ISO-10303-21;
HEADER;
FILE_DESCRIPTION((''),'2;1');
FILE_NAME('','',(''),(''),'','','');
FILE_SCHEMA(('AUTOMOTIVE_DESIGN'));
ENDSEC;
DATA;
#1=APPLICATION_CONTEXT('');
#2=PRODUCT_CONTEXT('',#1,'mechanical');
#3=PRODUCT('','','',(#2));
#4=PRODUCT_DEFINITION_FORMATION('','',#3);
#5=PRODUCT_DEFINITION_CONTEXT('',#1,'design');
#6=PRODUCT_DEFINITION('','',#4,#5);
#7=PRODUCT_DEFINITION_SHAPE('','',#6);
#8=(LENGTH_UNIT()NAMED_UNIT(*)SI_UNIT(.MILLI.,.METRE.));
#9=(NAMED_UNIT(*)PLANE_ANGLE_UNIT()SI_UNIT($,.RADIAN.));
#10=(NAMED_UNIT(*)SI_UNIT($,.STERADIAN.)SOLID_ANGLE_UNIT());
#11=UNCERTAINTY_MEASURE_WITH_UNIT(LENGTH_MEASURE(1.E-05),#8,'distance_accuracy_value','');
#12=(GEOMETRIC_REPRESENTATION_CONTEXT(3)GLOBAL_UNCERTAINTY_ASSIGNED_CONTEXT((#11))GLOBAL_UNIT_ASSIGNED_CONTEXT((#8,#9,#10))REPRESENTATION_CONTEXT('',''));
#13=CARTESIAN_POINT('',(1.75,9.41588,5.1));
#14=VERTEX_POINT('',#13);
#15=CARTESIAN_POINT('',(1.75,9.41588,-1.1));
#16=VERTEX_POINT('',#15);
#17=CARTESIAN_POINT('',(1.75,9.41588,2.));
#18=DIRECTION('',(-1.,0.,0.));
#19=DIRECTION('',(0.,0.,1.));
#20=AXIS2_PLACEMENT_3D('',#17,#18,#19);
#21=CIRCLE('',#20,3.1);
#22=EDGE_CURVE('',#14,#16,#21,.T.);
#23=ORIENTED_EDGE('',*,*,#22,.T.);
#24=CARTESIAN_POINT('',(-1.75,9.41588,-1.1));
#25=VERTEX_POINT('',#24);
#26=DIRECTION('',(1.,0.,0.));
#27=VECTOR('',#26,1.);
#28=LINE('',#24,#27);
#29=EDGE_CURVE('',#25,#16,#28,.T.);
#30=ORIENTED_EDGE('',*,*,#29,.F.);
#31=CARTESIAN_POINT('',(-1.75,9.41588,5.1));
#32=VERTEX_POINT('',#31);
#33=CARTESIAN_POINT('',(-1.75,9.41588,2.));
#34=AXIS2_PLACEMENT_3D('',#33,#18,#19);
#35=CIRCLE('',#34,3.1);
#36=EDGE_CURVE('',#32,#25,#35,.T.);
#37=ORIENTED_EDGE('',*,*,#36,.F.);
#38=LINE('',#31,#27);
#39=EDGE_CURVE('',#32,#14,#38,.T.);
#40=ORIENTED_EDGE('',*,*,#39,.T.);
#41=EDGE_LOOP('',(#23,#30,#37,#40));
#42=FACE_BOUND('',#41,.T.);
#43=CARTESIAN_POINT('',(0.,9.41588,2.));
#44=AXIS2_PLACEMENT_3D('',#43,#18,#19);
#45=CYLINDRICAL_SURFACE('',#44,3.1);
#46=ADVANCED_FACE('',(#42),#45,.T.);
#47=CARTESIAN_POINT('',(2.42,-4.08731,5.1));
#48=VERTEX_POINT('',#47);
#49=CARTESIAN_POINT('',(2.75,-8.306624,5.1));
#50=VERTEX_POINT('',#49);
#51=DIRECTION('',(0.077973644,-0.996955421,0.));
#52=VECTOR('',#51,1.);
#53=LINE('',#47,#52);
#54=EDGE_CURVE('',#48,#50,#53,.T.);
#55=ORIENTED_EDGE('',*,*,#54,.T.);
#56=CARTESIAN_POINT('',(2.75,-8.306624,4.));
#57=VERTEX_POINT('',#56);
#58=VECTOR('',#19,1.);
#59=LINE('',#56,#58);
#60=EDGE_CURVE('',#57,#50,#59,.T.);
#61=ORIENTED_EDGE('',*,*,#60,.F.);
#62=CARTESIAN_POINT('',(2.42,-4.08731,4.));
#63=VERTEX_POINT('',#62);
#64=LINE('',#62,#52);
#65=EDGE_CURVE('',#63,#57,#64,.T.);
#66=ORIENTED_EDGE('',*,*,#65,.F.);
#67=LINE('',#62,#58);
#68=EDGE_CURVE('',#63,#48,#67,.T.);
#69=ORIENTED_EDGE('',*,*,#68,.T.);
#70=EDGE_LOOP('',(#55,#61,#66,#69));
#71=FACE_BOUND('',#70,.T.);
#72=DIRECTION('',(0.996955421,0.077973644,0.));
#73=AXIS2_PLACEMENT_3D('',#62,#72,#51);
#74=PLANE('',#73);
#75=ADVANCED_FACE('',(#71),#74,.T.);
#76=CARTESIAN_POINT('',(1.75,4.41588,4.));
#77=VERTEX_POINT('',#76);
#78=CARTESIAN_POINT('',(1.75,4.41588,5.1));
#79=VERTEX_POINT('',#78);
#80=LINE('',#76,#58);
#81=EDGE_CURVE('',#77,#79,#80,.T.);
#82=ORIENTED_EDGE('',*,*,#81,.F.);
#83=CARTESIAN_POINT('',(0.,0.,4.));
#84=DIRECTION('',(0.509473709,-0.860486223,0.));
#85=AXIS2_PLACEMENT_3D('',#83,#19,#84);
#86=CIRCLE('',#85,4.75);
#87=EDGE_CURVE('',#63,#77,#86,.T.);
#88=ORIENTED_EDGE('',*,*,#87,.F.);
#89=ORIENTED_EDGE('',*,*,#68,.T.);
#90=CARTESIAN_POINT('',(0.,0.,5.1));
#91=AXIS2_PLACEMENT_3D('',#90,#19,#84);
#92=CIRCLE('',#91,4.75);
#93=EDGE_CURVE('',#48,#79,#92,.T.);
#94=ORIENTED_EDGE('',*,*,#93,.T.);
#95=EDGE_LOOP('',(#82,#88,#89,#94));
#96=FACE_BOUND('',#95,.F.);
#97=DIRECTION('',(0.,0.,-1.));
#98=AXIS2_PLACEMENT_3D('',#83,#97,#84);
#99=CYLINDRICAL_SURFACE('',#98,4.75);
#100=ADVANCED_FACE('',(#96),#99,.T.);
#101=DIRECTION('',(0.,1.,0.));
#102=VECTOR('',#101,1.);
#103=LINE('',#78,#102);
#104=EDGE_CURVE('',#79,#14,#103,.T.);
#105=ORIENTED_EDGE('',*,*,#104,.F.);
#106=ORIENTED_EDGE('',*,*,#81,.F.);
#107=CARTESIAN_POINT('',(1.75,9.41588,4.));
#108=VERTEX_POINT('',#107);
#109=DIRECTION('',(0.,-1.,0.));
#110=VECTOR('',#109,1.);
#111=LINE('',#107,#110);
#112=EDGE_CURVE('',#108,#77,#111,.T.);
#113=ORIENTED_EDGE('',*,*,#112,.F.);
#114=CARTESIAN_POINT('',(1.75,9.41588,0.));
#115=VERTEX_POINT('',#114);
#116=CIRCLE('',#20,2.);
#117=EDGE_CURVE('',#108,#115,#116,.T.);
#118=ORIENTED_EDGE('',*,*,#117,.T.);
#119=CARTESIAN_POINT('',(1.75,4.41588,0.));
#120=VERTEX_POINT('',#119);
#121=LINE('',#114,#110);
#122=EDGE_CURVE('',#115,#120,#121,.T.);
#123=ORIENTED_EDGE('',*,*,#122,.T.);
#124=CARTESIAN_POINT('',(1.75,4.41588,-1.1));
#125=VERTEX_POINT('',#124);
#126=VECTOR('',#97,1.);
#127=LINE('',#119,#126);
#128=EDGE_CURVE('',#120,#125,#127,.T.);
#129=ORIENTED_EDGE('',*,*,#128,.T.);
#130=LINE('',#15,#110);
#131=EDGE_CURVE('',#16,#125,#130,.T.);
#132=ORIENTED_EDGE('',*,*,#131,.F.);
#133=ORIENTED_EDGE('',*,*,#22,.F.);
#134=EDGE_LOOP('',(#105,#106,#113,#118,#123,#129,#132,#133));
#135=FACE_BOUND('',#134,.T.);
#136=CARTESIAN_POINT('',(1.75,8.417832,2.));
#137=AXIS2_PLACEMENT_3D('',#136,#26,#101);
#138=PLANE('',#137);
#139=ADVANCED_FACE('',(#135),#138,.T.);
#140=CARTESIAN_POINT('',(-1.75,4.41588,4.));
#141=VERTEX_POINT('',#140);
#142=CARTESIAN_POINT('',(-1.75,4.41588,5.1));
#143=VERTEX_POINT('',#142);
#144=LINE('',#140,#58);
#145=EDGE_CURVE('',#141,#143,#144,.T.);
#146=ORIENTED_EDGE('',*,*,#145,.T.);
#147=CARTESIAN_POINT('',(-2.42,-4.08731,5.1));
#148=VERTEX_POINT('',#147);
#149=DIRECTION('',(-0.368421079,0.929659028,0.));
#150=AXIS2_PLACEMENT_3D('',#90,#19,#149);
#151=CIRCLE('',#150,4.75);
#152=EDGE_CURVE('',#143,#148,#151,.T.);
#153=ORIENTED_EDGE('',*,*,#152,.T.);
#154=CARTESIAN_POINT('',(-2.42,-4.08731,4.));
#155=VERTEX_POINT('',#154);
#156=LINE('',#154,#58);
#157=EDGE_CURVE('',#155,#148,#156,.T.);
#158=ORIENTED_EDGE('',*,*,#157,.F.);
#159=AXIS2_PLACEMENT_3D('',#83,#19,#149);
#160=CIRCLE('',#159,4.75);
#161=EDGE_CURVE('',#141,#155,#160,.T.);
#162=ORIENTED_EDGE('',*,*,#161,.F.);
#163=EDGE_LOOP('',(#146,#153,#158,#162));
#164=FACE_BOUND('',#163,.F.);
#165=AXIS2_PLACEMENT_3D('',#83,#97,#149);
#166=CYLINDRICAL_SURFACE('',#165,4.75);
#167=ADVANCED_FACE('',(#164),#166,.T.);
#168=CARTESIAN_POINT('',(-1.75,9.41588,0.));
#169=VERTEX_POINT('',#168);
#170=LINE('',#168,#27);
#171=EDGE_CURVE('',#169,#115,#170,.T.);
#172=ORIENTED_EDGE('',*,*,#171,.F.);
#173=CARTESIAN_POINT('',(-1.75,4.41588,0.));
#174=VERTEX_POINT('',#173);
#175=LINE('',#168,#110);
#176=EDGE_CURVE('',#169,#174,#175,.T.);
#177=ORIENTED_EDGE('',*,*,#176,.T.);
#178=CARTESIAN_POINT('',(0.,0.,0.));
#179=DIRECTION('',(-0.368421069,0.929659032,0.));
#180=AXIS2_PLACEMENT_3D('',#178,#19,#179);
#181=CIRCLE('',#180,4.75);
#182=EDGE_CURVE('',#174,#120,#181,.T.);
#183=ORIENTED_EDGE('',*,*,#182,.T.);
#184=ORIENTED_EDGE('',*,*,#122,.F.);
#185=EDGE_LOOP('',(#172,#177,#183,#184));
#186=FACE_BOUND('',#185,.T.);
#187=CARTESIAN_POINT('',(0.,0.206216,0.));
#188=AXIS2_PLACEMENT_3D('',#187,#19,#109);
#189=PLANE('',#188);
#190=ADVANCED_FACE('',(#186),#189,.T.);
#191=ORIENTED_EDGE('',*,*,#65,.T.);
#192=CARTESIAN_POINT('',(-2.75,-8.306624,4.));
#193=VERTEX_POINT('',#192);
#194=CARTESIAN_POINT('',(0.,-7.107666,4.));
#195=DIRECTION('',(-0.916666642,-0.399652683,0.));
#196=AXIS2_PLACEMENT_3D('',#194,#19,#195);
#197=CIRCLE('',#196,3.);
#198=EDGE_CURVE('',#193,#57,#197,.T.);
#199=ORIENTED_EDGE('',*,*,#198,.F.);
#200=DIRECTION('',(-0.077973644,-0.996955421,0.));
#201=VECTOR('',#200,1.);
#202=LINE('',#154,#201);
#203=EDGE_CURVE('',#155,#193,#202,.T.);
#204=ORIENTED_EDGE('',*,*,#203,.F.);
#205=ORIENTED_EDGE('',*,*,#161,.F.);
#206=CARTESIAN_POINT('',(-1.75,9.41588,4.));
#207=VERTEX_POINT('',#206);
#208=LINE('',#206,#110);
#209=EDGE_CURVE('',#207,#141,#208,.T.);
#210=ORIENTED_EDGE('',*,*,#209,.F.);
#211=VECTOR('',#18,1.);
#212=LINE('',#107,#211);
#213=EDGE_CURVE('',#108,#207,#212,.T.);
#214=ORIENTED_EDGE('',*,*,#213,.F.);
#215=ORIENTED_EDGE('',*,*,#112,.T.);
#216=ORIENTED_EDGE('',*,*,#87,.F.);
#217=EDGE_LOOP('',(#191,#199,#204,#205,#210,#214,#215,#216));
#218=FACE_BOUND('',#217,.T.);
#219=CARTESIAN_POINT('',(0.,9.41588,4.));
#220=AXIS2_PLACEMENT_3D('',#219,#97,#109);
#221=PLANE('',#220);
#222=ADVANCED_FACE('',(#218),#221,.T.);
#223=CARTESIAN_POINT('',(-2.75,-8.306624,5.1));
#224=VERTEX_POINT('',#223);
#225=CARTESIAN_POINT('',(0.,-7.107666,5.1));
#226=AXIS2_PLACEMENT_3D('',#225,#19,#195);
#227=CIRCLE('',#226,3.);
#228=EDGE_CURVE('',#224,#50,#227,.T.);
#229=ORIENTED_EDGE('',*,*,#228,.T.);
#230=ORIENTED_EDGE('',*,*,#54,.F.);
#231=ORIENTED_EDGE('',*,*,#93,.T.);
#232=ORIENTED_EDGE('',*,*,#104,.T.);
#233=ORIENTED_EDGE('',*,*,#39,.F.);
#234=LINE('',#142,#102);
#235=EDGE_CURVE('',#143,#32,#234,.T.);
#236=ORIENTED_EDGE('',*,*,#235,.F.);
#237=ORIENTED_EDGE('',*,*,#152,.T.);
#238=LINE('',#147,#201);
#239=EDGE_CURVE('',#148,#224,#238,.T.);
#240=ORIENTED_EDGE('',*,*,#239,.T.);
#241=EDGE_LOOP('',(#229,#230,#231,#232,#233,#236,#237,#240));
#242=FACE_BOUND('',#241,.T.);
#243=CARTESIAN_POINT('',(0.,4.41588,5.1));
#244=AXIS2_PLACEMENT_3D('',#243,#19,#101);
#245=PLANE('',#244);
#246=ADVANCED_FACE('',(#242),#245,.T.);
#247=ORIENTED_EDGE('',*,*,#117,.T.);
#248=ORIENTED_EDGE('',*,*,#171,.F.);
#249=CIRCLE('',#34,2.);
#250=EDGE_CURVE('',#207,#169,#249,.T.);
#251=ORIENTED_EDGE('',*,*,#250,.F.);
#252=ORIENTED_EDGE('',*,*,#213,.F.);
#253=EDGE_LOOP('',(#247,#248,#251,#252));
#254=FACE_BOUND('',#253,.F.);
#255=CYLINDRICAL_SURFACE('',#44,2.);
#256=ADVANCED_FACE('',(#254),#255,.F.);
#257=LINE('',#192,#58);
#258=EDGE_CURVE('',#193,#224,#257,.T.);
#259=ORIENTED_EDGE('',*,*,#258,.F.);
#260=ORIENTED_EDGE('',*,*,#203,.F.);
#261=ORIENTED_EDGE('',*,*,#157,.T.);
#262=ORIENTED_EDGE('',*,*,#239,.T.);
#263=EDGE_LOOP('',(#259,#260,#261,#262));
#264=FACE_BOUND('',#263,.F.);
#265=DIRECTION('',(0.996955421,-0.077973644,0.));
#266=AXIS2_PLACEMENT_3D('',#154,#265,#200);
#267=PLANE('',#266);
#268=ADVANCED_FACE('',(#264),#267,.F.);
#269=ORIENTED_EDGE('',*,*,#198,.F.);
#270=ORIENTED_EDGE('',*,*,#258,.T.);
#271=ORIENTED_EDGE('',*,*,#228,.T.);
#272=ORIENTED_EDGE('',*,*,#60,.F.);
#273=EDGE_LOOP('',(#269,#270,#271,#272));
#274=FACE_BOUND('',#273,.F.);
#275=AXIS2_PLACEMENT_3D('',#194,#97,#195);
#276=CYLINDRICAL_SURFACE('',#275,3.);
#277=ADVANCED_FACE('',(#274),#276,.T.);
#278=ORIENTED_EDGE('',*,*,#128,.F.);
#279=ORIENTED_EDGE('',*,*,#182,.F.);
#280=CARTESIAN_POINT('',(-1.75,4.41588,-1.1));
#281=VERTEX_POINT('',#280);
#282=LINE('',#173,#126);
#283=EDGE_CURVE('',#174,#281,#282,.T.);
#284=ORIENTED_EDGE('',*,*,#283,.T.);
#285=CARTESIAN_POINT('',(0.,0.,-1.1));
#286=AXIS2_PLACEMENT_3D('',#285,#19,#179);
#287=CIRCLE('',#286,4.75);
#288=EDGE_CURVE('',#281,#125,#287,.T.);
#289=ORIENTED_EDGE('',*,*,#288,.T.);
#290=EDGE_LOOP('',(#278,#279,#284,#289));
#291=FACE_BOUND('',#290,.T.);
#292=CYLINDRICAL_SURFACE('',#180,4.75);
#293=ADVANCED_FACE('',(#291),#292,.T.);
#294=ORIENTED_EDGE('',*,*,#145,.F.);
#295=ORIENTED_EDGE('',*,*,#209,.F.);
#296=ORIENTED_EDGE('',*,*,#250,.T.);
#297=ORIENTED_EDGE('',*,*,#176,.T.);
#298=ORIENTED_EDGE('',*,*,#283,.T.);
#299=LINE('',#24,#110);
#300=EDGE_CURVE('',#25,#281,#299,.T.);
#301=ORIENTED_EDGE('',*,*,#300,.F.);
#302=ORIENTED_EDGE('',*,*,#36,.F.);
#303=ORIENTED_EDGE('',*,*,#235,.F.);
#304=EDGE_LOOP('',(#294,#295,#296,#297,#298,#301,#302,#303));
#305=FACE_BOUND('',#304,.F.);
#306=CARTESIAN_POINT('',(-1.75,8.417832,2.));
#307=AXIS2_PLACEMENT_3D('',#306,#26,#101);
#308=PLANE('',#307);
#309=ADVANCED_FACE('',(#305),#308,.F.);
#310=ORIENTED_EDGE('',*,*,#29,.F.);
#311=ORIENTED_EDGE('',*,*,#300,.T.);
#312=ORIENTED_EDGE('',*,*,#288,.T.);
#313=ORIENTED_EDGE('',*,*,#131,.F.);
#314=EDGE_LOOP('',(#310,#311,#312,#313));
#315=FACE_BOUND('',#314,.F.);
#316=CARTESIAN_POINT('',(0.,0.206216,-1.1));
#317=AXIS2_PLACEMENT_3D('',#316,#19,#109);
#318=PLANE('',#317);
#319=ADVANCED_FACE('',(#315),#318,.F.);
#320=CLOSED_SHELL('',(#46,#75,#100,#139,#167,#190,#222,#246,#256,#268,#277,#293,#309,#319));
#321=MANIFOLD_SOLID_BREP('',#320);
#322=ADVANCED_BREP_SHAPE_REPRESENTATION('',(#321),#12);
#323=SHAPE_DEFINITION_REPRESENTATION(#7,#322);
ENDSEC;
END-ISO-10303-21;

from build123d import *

# Parameters (mm, degrees)
PAD013_DEPTH            = 1.1
PAD014_DEPTH            = 1.75
PAD014_DEPTH_BACK       = 1.75
PAD015_DEPTH            = 1.1
BODY008_PLACEMENT_ANGLE = 90


with BuildPart() as part:
    # Sketch022 → Pad013 (new body)
    with BuildSketch(Plane.XY):
        with BuildLine():
            ThreePointArc((-4.41588, -1.75), (-0.373115, -4.735323), (4.08731, -2.42))
            Line((4.08731, -2.42), (8.306624, -2.75))
            ThreePointArc((8.306624, -2.75), (10.107666, 0), (8.306624, 2.75))
            Line((4.08731, 2.42), (8.306624, 2.75))
            ThreePointArc((4.08731, 2.42), (-0.373115, 4.735323), (-4.41588, 1.75))
            Line((-4.41588, -1.75), (-4.41588, 1.75))
        make_face()
    extrude(amount=PAD013_DEPTH)

    # Sketch023 → Pad014 (join, two sides)
    with BuildSketch(Plane.XZ) as pad014_sk:
        with BuildLine():
            ThreePointArc((-9.41588, 0), (-11.41588, -2), (-9.41588, -4))
            Line((-9.41588, -4), (-4.41588, -4))
            Line((-4.41588, -4), (-4.41588, -5.1))
            Line((-9.41588, -5.1), (-4.41588, -5.1))
            ThreePointArc((-9.41588, 1.1), (-12.51588, -2), (-9.41588, -5.1))
            Line((-4.41588, 1.1), (-9.41588, 1.1))
            Line((-4.41588, 1.1), (-4.41588, 0))
            Line((-9.41588, 0), (-4.41588, 0))
        make_face()
    extrude(amount=PAD014_DEPTH)
    extrude(pad014_sk.sketch, amount=-PAD014_DEPTH_BACK)

    # Sketch025 (on Face9 of Pad014) → Pad015 (join)
    with BuildSketch(Plane.XY.offset(-4)):
        with BuildLine():
            ThreePointArc((-4.41588, -1.75), (4.75, 0), (-4.41588, 1.75))
            Line((-4.41588, 1.75), (-4.41588, -1.75))
        make_face()
    extrude(amount=-PAD015_DEPTH)


with BuildPart() as part_1:
    # Body008 placement: moved
    add(part.part.moved(Location((0, 0, 4))).rotate(Axis((0, 0, 4), (0, 0, -1)), BODY008_PLACEMENT_ANGLE))


solid = part_1.part
